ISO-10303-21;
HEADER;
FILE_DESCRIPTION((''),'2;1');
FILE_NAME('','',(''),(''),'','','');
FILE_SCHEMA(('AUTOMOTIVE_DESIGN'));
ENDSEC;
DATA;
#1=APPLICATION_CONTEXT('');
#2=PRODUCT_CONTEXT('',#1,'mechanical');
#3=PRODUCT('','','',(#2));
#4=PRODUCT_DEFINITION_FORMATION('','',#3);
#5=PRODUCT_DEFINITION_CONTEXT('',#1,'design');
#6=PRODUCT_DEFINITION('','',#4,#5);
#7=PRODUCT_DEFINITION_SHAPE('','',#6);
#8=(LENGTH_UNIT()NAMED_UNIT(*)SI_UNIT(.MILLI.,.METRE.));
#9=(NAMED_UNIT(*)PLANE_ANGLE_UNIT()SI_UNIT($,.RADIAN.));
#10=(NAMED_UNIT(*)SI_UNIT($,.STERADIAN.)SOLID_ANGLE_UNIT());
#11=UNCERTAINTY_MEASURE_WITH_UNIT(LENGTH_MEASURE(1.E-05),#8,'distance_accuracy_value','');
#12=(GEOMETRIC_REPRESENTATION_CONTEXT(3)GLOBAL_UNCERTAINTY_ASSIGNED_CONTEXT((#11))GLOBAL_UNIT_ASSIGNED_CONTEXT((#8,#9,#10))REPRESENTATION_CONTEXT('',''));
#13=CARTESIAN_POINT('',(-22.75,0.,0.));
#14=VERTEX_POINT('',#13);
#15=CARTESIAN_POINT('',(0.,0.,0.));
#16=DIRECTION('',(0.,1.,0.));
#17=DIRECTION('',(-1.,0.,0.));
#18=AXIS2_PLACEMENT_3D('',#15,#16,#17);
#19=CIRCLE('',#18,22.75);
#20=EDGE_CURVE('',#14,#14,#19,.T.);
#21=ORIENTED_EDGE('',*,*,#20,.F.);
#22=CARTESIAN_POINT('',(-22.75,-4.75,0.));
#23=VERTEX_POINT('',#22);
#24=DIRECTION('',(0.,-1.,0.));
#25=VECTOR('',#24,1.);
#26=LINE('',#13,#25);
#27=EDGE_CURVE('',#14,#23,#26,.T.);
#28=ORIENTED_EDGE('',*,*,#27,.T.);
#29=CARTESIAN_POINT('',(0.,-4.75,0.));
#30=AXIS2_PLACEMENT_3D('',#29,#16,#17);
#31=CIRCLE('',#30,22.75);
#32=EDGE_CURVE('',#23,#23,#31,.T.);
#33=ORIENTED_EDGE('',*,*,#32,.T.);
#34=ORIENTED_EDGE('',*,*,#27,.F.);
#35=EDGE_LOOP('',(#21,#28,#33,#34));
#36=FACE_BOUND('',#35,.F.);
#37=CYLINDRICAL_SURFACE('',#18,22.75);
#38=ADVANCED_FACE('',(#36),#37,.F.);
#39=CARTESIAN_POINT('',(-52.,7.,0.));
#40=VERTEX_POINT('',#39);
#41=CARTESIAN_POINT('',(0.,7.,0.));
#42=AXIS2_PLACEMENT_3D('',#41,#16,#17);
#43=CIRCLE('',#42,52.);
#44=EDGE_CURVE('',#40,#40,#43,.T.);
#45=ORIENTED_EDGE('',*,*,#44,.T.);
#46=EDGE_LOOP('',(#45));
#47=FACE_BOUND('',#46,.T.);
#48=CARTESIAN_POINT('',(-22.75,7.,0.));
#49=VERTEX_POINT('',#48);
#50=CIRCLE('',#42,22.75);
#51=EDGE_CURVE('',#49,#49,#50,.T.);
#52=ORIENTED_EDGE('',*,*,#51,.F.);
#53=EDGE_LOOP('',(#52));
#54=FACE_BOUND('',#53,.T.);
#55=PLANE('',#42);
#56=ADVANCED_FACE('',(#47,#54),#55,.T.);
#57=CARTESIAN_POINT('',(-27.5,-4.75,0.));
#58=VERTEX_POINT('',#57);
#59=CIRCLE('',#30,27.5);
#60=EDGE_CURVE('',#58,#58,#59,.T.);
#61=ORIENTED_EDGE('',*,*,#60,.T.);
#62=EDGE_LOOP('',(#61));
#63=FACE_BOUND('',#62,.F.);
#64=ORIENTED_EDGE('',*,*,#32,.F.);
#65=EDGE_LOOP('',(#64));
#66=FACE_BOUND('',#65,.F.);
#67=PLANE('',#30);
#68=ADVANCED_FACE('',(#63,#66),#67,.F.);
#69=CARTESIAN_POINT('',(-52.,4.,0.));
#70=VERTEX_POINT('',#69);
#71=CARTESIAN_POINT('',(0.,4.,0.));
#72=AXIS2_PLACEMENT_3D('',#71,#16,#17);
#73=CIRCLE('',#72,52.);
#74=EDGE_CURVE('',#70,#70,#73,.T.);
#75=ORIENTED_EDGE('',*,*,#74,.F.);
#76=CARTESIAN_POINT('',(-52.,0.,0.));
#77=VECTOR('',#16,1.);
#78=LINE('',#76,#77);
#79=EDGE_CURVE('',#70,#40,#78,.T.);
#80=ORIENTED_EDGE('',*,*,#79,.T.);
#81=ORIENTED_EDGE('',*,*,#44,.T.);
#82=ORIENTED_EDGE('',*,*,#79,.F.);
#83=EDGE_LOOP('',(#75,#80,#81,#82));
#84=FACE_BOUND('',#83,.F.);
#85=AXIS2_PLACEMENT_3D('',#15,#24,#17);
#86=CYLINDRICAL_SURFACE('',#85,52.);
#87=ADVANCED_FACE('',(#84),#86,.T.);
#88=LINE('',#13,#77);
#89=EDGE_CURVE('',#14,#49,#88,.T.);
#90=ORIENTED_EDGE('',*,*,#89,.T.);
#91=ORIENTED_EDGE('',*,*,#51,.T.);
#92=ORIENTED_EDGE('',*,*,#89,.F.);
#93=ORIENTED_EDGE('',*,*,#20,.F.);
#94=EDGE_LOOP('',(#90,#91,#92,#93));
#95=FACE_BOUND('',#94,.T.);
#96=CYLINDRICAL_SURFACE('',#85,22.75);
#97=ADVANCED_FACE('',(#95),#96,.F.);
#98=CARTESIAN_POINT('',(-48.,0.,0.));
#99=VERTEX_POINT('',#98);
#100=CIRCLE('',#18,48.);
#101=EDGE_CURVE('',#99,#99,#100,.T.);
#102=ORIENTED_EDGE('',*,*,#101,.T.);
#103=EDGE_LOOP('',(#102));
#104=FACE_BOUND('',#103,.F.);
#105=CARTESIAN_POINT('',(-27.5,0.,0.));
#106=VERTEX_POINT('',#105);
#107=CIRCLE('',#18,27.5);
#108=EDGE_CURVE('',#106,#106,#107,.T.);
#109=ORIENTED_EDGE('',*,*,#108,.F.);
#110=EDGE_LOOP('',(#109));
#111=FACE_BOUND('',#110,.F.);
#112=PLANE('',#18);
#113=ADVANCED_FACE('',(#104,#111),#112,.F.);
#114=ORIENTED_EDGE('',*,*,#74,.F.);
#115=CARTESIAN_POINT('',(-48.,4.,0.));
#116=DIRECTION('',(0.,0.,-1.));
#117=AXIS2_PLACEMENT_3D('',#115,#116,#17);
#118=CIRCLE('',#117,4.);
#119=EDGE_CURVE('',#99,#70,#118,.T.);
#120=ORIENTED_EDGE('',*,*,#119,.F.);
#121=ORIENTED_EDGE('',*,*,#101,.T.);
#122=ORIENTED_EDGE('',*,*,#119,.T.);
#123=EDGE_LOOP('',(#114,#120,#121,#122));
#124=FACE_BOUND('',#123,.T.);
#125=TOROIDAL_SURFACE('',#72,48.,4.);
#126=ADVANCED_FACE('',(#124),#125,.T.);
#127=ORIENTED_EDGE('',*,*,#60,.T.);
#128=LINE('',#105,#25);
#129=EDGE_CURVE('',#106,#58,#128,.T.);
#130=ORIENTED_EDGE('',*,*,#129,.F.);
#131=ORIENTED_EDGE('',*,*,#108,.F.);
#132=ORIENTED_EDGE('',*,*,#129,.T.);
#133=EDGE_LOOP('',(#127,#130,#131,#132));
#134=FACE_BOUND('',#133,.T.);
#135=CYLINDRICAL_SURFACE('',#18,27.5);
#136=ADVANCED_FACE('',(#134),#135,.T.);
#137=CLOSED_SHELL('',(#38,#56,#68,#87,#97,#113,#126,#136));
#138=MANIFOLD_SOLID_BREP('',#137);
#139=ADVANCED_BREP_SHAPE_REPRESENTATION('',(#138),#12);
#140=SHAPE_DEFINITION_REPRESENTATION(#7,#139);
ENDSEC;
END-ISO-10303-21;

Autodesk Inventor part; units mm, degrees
ref_plane "YZ Plane" through (0, 0, 0) normal (1, 0, 0) x (0, 1, 0)
ref_plane "XZ Plane" through (0, 0, 0) normal (0, 1, 0) x (-1, 0, 0)
ref_plane "XY Plane" through (0, 0, 0) normal (0, 0, 1) x (1, 0, 0)
sketch "Sketch1" plane through (0, 0, 0) normal (0, 1, 0) x (-1, 0, 0)
  circle A0 centre (0, 0) radius 52
  circle A1 centre (0, 0) radius 22.75
  circle A2 centre (0, 0) radius 27.5
  dimension "d2" = 45.5
  dimension "d4" = 55
extrude "Extrusion1" add sketch "Sketch1" against normal blind 4.75 contours A2
extrude "Extrusion2" add sketch "Sketch1" along normal blind 7 contours A0 | A2
fillet "Fillet1" radius 4 1 edges at (52, 0, 0)
properties part number "wheel_chain_guide_holes"
